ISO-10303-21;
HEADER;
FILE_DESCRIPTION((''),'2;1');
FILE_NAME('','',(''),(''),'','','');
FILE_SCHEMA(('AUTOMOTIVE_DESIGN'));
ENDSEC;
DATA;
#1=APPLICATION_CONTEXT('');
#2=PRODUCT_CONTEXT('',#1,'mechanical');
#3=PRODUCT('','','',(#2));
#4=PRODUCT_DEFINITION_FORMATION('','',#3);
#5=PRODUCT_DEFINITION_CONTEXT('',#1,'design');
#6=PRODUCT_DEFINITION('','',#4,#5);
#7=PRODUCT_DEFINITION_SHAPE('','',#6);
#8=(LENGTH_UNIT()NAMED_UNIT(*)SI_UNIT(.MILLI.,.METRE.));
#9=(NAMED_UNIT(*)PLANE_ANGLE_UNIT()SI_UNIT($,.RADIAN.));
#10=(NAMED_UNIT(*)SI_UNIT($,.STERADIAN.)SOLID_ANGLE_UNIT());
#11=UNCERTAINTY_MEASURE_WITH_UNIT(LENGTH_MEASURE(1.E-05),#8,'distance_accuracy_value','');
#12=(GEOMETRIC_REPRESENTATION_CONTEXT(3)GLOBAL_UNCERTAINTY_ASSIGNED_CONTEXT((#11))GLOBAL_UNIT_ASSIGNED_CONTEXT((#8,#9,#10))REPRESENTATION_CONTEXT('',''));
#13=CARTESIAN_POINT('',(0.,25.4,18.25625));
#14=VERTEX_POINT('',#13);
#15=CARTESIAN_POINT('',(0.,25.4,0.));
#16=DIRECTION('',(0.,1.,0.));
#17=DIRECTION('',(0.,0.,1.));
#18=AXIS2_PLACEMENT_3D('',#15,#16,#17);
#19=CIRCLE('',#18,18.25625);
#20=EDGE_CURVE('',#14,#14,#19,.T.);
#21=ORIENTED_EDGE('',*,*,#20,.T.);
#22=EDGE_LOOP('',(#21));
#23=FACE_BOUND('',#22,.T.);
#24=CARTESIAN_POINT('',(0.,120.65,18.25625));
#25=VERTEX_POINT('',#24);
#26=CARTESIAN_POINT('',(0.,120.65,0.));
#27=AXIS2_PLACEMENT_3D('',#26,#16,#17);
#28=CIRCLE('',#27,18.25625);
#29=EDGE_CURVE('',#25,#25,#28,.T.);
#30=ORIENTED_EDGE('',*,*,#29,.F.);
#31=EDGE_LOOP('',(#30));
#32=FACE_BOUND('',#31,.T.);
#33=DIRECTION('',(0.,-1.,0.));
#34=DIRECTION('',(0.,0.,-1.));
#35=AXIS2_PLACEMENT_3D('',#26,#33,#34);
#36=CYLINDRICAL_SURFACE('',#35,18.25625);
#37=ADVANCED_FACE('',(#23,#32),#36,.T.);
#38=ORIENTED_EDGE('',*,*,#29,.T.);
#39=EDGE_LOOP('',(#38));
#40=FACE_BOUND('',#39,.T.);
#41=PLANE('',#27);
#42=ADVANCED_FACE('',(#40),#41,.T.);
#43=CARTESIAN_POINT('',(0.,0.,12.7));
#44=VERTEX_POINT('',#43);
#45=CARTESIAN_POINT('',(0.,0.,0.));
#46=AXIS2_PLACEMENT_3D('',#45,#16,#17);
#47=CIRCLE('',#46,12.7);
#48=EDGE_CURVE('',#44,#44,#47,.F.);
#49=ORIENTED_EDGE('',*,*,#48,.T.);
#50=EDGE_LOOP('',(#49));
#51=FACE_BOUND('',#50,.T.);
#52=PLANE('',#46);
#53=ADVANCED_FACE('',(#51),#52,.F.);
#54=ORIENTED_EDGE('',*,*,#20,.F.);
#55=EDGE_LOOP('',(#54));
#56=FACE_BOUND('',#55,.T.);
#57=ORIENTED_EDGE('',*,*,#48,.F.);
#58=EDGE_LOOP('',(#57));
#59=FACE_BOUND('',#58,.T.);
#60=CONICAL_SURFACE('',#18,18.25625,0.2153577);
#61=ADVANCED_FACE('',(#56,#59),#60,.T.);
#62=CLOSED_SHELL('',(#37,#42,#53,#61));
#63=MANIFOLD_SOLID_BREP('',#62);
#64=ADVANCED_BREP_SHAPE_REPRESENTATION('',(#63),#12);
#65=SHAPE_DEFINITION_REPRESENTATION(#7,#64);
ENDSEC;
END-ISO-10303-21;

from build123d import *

# Parameters (mm, degrees)
SKETCH1_R           = 18.25625
BOSS_EXTRUDE1_DEPTH = 120.65
CHAMFER1_SIZE       = 5.55625
CHAMFER1_SIZE2      = 25.4


with BuildPart() as part:
    # Sketch1 → Boss-Extrude1 (new body)
    with BuildSketch(Plane(origin=(0, 0, 0), x_dir=(1, 0, 0), z_dir=(0, 1, 0))):
        Circle(SKETCH1_R)
    extrude(amount=BOSS_EXTRUDE1_DEPTH)

    # Chamfer1
    chamfer1_edges = [part.edges().sort_by_distance(p)[0] for p in [
        (-18.25625, 0, 0),
    ]]
    chamfer1_side = [part.faces().sort_by_distance(p)[0] for p in [
        (0, 0, 0),
    ]]
    chamfer(chamfer1_edges, length=CHAMFER1_SIZE, length2=CHAMFER1_SIZE2, reference=chamfer1_side[0])


solid = part.part
